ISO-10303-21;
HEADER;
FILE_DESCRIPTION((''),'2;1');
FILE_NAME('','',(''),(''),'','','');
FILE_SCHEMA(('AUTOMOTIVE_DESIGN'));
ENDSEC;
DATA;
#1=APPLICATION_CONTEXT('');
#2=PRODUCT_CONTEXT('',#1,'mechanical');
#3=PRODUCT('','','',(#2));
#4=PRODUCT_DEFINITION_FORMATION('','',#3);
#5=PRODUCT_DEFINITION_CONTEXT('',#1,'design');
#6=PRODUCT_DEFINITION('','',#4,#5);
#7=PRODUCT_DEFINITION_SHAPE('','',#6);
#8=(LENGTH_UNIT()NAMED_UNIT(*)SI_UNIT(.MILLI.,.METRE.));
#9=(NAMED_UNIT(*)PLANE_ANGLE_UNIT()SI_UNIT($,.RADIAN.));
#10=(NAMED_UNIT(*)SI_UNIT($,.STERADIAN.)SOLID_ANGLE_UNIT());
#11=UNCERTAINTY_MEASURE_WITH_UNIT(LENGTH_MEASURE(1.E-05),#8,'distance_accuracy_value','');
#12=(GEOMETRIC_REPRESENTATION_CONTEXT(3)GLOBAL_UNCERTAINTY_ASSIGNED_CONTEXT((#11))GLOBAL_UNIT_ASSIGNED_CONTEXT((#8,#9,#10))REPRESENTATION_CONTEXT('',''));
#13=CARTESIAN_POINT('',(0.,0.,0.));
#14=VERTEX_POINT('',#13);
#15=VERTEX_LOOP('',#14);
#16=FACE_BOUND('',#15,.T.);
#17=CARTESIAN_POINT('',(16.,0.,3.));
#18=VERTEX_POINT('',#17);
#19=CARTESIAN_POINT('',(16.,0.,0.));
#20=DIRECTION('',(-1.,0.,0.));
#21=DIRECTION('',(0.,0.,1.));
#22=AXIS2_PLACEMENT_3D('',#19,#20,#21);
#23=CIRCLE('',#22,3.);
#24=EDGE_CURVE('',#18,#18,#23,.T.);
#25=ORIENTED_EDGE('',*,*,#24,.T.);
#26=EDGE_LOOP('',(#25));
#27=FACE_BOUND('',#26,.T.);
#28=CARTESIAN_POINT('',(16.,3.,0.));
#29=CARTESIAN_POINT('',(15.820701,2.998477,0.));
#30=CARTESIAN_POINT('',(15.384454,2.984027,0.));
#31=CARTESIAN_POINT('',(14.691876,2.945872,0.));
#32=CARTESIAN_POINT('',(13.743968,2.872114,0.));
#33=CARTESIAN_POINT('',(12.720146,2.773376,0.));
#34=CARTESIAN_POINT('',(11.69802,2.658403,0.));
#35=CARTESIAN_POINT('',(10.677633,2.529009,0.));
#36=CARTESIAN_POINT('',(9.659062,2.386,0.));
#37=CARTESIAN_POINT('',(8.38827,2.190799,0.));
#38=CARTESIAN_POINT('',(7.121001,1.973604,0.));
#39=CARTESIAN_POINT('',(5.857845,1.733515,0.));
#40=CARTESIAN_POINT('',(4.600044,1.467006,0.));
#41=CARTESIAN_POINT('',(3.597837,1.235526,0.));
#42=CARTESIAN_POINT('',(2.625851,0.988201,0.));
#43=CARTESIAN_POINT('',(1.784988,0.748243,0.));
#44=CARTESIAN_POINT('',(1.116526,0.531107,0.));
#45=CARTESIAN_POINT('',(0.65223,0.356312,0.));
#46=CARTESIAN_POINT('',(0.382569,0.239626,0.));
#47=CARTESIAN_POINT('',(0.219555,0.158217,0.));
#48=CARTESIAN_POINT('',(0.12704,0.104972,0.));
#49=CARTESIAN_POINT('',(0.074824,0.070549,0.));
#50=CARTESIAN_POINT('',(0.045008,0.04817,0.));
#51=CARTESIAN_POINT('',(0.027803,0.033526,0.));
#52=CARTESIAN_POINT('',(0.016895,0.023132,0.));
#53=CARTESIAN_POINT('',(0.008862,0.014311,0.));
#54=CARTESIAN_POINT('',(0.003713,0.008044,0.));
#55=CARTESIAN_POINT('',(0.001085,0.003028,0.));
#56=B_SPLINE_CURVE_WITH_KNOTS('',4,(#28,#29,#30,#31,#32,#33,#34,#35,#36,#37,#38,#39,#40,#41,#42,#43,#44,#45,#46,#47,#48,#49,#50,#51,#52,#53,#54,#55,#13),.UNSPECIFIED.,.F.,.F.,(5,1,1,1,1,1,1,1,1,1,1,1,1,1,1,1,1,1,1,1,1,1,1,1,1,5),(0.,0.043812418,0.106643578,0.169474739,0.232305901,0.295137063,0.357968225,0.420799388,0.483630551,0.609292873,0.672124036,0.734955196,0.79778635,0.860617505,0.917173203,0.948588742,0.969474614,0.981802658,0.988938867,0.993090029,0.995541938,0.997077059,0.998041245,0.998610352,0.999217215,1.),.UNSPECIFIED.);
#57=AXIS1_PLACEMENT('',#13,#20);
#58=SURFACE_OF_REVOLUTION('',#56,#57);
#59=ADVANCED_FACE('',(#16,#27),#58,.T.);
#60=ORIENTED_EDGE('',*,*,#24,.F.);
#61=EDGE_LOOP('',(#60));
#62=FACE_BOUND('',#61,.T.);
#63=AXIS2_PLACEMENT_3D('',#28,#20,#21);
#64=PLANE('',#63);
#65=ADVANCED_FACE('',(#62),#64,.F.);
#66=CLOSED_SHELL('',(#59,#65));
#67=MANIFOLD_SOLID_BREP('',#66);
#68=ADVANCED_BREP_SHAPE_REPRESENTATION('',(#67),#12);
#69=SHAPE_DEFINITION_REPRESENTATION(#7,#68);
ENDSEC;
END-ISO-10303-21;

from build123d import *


with BuildPart() as part:
    # Sketch6 → Revolve6 (revolve)
    with BuildSketch(Plane.XY):
        with BuildLine():
            Line((0, 0), (16, 0))
            Line((16, 0), (16, 3))
            add(Edge.make_bspline(
                [(0, 0), (0.001085117, 0.003027667), (0.003712936, 0.008044451), (0.008861956, 0.014311024), (0.016894753, 0.023131592), (0.02780284, 0.033525966), (0.045007881, 0.048170167), (0.074823728, 0.070549115), (0.127040022, 0.104971538), (0.219554776, 0.158217083), (0.382568964, 0.239626476), (0.652230491, 0.356312125), (1.116525629, 0.531107266), (1.784988204, 0.748243125), (2.625851367, 0.988200765), (3.5978374, 1.23552594), (4.600044112, 1.467005656), (5.857844886, 1.733515154), (7.12100108, 1.973604292), (8.38826992, 2.19079915), (9.659062338, 2.385999858), (10.677632565, 2.52900872), (11.698020213, 2.658403386), (12.720145638, 2.773375561), (13.743967801, 2.872113979), (14.691876278, 2.945871742), (15.384454238, 2.984027135), (15.820700508, 2.998477208), (16, 3)],
                knots=[0, 0, 0, 0, 0, 0.000782785, 0.001389648, 0.001958755, 0.002922941, 0.004458062, 0.006909971, 0.011061133, 0.018197342, 0.030525386, 0.051411258, 0.082826797, 0.139382495, 0.20221365, 0.265044804, 0.327875964, 0.390707127, 0.516369449, 0.579200612, 0.642031775, 0.704862937, 0.767694099, 0.830525261, 0.893356422, 0.956187582, 1, 1, 1, 1, 1], degree=4))
        make_face()
    revolve(axis=Axis((0, 0, 0), (1, 0, 0)))


solid = part.part
